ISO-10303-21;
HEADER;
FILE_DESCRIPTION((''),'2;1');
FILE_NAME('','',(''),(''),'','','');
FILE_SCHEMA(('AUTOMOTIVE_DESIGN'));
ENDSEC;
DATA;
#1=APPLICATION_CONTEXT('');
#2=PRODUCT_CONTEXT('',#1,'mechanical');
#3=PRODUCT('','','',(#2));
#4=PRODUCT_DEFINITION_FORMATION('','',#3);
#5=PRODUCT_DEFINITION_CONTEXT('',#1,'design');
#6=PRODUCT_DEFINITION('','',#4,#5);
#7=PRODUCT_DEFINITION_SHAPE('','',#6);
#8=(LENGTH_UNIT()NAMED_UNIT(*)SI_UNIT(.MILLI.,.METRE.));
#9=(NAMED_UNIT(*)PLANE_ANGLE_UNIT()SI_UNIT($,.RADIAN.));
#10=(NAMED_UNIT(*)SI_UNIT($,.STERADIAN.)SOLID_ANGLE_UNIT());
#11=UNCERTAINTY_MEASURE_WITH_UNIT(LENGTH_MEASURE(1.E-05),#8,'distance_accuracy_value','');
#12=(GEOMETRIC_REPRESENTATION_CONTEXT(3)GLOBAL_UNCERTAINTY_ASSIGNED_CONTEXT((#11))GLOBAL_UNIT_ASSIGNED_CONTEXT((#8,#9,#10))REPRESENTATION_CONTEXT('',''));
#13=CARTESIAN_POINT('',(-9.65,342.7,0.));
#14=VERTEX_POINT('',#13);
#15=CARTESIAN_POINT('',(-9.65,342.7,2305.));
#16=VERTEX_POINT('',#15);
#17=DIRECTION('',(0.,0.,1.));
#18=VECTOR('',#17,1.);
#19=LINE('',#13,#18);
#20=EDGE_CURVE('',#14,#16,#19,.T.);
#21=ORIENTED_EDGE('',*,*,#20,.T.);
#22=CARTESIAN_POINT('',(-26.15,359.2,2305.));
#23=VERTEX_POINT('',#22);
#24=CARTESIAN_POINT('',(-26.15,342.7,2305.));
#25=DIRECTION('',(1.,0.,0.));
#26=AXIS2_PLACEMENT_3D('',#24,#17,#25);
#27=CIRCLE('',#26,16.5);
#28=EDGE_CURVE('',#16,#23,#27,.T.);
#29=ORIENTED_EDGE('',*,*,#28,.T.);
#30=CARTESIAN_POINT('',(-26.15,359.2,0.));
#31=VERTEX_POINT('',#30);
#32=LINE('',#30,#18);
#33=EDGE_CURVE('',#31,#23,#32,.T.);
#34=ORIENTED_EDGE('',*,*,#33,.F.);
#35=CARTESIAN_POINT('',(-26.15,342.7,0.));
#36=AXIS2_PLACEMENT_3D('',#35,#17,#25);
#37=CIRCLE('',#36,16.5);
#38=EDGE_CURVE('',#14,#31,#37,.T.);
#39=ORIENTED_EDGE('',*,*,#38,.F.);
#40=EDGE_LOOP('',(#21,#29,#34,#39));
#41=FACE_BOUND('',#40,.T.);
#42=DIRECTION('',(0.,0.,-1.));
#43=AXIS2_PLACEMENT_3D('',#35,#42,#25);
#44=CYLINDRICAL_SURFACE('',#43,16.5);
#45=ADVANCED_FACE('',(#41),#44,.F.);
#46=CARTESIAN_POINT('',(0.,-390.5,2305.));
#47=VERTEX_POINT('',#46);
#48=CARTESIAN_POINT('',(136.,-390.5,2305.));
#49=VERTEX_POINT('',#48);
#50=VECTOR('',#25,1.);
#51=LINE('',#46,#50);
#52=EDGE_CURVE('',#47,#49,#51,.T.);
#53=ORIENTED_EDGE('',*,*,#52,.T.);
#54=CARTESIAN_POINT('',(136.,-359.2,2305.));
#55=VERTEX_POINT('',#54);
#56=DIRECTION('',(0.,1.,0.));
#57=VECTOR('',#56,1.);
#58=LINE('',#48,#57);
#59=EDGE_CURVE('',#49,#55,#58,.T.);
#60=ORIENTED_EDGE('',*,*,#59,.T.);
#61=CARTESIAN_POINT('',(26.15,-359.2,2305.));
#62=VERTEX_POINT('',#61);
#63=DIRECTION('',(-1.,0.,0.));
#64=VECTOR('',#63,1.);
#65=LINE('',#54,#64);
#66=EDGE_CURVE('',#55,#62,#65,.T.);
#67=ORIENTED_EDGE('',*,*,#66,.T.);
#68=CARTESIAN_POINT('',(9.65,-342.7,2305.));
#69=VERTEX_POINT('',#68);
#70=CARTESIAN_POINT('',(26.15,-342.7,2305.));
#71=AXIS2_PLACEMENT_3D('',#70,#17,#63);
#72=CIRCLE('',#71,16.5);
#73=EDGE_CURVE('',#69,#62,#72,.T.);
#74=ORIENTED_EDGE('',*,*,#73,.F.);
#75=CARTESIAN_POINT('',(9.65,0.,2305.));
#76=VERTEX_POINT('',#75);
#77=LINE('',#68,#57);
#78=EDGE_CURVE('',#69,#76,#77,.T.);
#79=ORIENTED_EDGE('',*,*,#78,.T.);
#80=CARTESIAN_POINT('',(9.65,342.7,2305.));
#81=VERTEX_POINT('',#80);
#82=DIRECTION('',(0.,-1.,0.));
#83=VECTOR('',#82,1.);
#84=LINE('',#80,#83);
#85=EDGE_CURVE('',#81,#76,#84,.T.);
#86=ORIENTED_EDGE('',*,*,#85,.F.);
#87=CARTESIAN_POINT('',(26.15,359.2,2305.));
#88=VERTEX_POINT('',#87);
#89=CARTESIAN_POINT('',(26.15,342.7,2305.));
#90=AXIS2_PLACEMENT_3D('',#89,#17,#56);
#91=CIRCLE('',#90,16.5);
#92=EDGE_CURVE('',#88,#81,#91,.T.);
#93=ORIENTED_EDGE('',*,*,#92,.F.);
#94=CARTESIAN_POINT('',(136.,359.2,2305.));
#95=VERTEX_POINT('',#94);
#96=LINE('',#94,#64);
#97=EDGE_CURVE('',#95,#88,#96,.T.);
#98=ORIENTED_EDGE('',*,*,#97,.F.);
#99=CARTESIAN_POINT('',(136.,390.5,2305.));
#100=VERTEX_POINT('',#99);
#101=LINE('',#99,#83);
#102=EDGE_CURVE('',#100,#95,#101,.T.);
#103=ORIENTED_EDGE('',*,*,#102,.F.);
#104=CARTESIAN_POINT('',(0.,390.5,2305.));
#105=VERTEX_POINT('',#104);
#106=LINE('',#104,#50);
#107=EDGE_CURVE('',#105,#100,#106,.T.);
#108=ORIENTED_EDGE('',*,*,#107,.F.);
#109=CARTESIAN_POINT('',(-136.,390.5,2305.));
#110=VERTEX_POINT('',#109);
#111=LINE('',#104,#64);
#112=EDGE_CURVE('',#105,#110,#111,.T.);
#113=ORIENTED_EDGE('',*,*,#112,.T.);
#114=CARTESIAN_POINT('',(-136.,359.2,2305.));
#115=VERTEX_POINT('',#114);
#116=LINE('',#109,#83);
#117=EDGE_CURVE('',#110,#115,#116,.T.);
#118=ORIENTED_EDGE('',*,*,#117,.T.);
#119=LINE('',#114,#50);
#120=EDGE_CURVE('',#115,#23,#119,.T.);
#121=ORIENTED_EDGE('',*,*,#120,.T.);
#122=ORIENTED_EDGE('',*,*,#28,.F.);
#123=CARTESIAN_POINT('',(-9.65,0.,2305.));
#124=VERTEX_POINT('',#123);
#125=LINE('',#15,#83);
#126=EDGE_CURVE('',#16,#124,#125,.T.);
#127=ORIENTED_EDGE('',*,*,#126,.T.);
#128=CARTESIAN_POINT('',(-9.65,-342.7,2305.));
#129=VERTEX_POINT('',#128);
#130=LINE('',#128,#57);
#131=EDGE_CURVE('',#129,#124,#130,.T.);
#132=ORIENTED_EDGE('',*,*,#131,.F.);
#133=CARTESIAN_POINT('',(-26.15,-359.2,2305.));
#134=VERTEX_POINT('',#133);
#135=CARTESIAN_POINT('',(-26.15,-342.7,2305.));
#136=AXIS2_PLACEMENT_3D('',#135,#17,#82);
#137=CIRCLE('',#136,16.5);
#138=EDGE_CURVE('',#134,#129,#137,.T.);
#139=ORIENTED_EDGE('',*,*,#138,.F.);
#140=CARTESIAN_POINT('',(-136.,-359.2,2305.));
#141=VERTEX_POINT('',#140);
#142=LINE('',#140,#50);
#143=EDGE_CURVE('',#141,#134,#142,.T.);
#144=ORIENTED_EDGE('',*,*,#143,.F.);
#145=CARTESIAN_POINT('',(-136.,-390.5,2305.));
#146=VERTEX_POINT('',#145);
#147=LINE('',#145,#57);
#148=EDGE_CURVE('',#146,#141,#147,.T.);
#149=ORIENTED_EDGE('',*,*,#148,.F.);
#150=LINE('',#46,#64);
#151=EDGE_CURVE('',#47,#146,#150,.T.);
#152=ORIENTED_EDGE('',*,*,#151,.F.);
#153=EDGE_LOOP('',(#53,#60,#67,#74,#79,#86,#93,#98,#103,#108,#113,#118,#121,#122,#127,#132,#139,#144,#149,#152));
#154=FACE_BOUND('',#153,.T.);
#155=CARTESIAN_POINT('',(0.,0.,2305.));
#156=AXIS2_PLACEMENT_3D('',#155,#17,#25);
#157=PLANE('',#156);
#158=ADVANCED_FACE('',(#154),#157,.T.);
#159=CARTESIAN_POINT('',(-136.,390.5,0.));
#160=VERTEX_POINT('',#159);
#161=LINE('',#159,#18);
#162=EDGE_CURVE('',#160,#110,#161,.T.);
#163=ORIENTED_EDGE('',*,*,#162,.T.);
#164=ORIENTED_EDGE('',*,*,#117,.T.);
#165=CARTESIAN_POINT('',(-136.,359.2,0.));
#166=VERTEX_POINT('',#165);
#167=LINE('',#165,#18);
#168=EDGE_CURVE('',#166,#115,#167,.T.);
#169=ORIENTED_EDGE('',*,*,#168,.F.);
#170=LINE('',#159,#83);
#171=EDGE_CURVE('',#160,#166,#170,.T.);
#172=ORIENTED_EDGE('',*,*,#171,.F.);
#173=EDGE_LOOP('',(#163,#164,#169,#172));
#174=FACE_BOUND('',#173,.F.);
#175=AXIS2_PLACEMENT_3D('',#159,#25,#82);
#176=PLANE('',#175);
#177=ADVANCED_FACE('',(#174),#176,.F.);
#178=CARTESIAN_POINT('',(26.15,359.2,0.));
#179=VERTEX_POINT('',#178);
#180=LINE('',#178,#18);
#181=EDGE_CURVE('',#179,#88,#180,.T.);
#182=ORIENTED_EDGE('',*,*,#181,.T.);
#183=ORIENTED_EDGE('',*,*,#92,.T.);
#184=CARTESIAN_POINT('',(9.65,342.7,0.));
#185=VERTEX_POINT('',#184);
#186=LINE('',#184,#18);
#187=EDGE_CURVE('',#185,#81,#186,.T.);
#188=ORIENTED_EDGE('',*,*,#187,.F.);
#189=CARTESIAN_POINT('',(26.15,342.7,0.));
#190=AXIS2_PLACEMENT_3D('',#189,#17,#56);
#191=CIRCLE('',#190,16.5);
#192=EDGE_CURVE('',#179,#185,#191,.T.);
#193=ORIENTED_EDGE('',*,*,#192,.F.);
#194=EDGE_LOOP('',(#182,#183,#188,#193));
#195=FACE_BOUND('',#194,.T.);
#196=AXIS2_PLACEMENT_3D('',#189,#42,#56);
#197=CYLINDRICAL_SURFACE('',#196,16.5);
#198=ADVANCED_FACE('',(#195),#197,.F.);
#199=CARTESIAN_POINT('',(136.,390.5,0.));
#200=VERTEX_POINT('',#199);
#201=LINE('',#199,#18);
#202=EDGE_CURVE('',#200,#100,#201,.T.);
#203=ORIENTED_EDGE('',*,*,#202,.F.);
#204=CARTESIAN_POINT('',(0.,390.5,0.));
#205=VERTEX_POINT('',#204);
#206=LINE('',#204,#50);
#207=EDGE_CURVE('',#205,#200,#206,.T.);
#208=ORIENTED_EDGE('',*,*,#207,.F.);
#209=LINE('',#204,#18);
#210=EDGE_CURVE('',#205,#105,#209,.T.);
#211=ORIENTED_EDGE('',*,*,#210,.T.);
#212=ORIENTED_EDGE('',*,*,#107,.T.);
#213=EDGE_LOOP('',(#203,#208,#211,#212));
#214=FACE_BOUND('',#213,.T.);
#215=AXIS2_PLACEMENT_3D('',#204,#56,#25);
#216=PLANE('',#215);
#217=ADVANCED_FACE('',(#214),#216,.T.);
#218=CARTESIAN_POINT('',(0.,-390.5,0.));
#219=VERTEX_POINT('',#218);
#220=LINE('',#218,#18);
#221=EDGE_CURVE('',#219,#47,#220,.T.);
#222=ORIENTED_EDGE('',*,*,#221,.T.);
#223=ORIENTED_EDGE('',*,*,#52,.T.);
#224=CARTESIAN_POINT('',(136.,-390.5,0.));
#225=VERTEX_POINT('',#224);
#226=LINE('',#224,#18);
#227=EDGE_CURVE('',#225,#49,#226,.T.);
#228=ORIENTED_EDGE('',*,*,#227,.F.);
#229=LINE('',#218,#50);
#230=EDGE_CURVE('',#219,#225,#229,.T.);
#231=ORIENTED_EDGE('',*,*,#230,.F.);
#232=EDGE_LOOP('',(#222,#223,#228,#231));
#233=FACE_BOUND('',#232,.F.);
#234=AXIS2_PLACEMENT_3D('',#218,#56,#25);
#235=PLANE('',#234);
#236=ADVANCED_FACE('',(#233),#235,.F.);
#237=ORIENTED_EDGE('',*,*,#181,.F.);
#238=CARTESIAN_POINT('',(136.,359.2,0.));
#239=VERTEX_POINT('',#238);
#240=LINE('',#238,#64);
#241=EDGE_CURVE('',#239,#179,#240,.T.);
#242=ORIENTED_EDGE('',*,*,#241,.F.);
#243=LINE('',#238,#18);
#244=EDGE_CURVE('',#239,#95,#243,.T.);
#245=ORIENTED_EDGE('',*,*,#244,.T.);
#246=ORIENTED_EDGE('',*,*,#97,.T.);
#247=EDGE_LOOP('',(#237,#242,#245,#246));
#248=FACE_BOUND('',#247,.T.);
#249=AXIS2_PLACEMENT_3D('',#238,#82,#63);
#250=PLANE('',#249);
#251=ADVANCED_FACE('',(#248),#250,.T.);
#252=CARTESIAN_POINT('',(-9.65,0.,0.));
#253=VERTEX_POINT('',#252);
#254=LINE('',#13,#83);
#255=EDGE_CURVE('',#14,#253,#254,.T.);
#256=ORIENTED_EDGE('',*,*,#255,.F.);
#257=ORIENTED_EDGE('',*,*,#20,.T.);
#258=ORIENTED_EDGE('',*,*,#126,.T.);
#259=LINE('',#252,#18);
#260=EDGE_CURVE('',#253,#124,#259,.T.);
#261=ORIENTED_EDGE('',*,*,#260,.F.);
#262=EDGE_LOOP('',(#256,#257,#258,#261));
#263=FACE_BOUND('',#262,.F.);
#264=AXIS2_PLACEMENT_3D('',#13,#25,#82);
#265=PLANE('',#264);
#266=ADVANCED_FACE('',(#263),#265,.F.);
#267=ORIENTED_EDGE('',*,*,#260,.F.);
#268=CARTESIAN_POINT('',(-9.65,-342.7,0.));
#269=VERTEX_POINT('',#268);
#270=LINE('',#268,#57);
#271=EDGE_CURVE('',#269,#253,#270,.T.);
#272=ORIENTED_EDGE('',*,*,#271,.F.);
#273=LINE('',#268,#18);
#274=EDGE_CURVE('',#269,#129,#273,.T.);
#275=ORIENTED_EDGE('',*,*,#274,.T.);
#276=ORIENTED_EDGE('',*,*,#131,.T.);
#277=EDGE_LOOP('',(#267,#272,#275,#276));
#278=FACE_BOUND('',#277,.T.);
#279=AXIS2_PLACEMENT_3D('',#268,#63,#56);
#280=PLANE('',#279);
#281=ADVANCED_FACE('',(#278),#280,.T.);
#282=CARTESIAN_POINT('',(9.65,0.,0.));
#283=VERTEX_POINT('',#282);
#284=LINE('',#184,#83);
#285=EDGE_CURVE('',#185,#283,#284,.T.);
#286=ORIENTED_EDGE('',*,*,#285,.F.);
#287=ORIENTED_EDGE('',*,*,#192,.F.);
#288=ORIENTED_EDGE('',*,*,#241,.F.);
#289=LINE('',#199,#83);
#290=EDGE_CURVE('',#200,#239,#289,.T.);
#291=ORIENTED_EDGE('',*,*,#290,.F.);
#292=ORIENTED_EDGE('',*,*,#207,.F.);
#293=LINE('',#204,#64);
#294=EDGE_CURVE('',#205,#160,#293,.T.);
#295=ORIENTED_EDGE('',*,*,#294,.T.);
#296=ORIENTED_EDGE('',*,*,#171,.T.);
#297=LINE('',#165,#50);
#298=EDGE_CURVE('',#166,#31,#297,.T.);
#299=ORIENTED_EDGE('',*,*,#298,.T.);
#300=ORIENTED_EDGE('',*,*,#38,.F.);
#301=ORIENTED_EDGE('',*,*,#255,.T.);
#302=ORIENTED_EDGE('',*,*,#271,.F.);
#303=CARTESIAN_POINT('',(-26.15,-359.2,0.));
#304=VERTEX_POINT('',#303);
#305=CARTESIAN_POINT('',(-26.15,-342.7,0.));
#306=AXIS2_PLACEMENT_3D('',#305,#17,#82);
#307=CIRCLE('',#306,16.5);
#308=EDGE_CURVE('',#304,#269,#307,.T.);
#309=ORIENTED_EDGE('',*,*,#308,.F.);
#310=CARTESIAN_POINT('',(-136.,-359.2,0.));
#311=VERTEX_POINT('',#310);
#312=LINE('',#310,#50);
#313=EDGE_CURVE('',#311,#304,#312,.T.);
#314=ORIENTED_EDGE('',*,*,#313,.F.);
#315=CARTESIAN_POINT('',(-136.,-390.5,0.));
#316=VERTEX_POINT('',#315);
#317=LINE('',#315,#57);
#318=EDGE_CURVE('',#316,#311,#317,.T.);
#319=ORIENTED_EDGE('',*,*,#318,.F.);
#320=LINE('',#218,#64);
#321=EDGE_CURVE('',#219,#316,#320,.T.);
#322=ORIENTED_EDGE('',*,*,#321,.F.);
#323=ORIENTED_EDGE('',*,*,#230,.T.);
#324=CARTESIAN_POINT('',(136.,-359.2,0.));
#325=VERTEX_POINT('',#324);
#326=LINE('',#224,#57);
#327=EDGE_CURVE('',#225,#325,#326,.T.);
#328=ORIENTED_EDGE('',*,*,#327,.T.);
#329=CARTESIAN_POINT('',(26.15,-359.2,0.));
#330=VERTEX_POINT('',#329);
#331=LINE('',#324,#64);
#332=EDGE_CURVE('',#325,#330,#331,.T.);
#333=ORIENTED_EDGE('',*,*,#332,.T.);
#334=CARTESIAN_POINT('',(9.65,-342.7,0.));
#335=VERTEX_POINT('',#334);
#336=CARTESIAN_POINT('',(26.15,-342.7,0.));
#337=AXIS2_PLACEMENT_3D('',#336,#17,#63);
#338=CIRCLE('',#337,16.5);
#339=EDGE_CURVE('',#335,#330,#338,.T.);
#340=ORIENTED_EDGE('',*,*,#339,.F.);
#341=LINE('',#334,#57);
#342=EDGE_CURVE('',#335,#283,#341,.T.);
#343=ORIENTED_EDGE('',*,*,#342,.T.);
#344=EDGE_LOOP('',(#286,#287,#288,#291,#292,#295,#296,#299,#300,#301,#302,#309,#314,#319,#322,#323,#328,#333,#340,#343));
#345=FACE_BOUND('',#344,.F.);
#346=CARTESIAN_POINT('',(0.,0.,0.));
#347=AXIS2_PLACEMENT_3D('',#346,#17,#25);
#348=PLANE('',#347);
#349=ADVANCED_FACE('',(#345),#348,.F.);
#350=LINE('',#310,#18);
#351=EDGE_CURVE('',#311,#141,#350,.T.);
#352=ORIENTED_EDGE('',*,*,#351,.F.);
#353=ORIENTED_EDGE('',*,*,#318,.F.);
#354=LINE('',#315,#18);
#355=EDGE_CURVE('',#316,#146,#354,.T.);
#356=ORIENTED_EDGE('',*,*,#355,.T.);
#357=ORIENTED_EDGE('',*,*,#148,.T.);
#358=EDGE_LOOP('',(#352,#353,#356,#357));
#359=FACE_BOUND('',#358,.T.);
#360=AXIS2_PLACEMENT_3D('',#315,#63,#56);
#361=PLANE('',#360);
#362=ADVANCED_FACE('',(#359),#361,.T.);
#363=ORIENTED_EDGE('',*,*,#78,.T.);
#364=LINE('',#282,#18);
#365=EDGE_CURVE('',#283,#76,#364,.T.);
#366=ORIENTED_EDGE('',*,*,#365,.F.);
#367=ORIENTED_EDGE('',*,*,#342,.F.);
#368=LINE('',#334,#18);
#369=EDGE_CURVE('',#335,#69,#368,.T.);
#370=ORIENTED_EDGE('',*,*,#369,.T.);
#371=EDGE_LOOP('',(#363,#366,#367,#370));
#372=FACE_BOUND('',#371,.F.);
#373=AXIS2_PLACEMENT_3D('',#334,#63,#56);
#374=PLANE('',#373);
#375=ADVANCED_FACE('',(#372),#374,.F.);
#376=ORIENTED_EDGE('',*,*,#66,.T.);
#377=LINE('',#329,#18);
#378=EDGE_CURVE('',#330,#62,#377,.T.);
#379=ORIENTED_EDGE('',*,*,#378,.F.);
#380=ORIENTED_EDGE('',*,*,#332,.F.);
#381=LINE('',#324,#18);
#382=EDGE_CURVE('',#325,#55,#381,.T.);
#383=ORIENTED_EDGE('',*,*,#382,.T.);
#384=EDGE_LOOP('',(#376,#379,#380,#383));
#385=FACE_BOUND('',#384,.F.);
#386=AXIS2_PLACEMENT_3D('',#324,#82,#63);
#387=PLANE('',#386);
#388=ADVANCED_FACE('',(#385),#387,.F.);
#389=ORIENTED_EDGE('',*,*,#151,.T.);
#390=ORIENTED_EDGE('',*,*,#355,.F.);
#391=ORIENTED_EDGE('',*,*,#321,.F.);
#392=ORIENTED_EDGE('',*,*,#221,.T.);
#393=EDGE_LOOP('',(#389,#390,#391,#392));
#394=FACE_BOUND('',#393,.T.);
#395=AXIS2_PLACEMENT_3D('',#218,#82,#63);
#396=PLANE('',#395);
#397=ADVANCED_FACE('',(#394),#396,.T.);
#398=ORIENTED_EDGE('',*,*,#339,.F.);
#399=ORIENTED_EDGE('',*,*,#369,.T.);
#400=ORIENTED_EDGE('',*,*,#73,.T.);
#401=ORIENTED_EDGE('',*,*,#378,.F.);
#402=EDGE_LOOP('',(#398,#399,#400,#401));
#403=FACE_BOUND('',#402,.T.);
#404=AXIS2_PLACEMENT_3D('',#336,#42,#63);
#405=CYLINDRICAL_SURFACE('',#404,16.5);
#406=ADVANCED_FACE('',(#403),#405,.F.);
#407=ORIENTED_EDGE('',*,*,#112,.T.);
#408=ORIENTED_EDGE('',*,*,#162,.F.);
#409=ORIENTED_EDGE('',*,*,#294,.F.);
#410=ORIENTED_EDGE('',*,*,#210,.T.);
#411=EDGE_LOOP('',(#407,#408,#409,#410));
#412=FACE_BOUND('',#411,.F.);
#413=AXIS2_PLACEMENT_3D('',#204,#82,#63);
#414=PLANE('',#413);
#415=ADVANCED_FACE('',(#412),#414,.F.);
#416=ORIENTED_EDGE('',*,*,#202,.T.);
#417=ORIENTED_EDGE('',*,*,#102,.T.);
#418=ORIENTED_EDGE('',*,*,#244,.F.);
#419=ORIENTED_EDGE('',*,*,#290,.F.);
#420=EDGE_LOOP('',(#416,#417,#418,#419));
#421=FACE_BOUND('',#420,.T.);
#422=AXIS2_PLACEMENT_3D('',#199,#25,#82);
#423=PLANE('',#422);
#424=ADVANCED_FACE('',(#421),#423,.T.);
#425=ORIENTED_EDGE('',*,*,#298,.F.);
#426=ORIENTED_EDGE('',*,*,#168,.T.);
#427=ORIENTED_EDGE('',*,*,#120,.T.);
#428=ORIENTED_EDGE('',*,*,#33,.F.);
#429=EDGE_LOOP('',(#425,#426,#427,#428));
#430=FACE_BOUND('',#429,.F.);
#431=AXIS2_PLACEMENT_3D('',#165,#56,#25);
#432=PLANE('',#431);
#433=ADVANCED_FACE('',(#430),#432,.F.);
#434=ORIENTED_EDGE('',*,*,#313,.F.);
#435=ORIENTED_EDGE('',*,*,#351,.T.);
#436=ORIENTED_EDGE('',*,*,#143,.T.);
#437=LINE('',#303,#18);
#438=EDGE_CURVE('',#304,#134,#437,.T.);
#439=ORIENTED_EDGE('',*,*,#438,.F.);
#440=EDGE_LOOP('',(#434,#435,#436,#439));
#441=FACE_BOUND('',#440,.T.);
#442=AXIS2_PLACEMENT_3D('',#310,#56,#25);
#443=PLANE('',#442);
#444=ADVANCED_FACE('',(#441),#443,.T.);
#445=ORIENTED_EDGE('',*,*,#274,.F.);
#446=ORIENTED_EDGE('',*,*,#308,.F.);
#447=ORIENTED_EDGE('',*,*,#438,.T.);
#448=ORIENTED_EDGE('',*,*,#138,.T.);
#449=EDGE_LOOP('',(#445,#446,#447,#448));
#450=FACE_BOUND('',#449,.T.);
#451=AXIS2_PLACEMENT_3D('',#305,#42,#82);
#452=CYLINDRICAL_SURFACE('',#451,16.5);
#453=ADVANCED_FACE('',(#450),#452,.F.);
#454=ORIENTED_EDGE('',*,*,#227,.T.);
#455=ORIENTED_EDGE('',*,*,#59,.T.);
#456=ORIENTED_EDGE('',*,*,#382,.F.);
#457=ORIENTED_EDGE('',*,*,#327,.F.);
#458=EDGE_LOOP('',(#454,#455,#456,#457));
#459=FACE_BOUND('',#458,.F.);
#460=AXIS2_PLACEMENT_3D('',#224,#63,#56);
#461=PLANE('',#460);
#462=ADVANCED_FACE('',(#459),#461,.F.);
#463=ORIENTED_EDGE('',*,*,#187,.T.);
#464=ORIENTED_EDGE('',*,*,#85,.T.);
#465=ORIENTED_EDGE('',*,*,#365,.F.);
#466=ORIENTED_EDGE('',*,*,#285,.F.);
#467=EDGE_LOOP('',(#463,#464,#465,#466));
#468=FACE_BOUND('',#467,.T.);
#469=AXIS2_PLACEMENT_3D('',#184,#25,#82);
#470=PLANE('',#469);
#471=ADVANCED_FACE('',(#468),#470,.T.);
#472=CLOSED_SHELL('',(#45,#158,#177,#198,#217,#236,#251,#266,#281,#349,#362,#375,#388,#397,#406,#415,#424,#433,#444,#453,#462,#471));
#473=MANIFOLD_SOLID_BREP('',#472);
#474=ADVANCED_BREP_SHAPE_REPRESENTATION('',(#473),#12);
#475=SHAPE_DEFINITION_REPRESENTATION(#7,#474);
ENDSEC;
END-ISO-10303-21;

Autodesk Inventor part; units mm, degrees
ref_plane "YZ Plane" through (0, 0, 0) normal (1, 0, 0) x (0, 1, 0)
ref_plane "Start plane" through (0, 0, 0) normal (0, 0, 1) x (1, 0, 0)
ref_plane "End plane" through (0, 0, 2305) normal (0, 0, 1) x (1, 0, 0)
sketch "Sketch" plane through (0, 0, 0) normal (0, 0, 1) x (1, 0, 0)
  line L0 (-136, -390.5) -> (-136, -359.2)
  line L1 (-136, -359.2) -> (-26.15, -359.2)
  line L2 (-9.65, -342.7) -> (-9.65, 0)
  line L3 (-9.65, 0) -> (0, 0) construction
  line L4 (0, 0) -> (0, -390.5) construction
  line L5 (0, -390.5) -> (-136, -390.5)
  line L6 (-60, 0) -> (80, 0) construction
  line L7 (0, -60) -> (0, 80) construction
  line L8 (136, -390.5) -> (136, -359.2)
  line L9 (136, -359.2) -> (26.15, -359.2)
  line L10 (9.65, -342.7) -> (9.65, 0)
  line L11 (9.65, 0) -> (0, 0) construction
  line L12 (0, -390.5) -> (136, -390.5)
  line L13 (-136, 390.5) -> (-136, 359.2)
  line L14 (-136, 359.2) -> (-26.15, 359.2)
  line L15 (-9.65, 342.7) -> (-9.65, 0)
  line L16 (0, 390.5) -> (-136, 390.5)
  line L17 (136, 390.5) -> (136, 359.2)
  line L18 (136, 359.2) -> (26.15, 359.2)
  line L19 (0, 390.5) -> (136, 390.5)
  line L20 (9.65, 342.7) -> (9.65, 0)
  arc A0 (-9.65, 342.7) -> (-26.15, 359.2) centre (-26.15, 342.7) ccw
  arc A1 (26.15, 359.2) -> (9.65, 342.7) centre (26.15, 342.7) ccw
  arc A2 (9.65, -342.7) -> (26.15, -359.2) centre (26.15, -342.7) ccw
  arc A3 (-26.15, -359.2) -> (-9.65, -342.7) centre (-26.15, -342.7) ccw
  line L21 (0, 108) -> (0, -88) construction
  line L22 (-88, 0) -> (108, 0) construction
  point P0 (-9.65, -359.2)
  point P1 (9.65, -359.2)
  point P2 (-9.65, 359.2)
  point P3 (9.65, 359.2)
  dimension "d1" = 390.5
  dimension "d2" = 31.3
  dimension "d3" = 136
  dimension "d4" = 9.65
  dimension "d10" = 16.5
extrude "Body" add sketch "Sketch" along normal up to surface (2305 mm away) from surface at 0
sketch "Sketch4" plane through (0, 0, 0) normal (0, 0, 1) x (1, 0, 0)
  line L0 (0, 0) -> (10, 0)
ref_plane "Work Plane3" through (0, 0, 0) normal (0, -1, 0) x (1, 0, 0)
sketch "Sketch5" plane through (0, 0, 0) normal (0, -1, 0) x (1, 0, 0)
  line L0 (-2, 0) -> (12, 0) projected
  line L1 (-2, 2305) -> (12, 2305) projected
  dimension "d14" = 2305
equation "\"d1\" = 0.5 * G_H"
equation "\"d2\" = G_T1"
equation "\"d3\" = 0.5 * G_W"
equation "\"d4\" = 0.5 * G_T"
equation "\"d10\" = G_IR"
equation "\"d5\" = G_L"
equation "\"G_W\" = 272"
equation "\"G_H\" = 781"
equation "\"G_T\" = 19.3"
equation "\"G_T1\" = 31.3"
equation "\"G_IR\" = 16.5"
equation "\"G_L\" = d14"
equation "\"G_OFFSET_START\" = 0"
equation "\"G_OFFSET_END\" = 0"
equation "\"d12\" = G_OFFSET_END + B_L"
equation "\"B_L\" = 2305"
properties part number "AS 3679-1990 - 760 UB - 244 - 2305" material "Steel, Mild"
